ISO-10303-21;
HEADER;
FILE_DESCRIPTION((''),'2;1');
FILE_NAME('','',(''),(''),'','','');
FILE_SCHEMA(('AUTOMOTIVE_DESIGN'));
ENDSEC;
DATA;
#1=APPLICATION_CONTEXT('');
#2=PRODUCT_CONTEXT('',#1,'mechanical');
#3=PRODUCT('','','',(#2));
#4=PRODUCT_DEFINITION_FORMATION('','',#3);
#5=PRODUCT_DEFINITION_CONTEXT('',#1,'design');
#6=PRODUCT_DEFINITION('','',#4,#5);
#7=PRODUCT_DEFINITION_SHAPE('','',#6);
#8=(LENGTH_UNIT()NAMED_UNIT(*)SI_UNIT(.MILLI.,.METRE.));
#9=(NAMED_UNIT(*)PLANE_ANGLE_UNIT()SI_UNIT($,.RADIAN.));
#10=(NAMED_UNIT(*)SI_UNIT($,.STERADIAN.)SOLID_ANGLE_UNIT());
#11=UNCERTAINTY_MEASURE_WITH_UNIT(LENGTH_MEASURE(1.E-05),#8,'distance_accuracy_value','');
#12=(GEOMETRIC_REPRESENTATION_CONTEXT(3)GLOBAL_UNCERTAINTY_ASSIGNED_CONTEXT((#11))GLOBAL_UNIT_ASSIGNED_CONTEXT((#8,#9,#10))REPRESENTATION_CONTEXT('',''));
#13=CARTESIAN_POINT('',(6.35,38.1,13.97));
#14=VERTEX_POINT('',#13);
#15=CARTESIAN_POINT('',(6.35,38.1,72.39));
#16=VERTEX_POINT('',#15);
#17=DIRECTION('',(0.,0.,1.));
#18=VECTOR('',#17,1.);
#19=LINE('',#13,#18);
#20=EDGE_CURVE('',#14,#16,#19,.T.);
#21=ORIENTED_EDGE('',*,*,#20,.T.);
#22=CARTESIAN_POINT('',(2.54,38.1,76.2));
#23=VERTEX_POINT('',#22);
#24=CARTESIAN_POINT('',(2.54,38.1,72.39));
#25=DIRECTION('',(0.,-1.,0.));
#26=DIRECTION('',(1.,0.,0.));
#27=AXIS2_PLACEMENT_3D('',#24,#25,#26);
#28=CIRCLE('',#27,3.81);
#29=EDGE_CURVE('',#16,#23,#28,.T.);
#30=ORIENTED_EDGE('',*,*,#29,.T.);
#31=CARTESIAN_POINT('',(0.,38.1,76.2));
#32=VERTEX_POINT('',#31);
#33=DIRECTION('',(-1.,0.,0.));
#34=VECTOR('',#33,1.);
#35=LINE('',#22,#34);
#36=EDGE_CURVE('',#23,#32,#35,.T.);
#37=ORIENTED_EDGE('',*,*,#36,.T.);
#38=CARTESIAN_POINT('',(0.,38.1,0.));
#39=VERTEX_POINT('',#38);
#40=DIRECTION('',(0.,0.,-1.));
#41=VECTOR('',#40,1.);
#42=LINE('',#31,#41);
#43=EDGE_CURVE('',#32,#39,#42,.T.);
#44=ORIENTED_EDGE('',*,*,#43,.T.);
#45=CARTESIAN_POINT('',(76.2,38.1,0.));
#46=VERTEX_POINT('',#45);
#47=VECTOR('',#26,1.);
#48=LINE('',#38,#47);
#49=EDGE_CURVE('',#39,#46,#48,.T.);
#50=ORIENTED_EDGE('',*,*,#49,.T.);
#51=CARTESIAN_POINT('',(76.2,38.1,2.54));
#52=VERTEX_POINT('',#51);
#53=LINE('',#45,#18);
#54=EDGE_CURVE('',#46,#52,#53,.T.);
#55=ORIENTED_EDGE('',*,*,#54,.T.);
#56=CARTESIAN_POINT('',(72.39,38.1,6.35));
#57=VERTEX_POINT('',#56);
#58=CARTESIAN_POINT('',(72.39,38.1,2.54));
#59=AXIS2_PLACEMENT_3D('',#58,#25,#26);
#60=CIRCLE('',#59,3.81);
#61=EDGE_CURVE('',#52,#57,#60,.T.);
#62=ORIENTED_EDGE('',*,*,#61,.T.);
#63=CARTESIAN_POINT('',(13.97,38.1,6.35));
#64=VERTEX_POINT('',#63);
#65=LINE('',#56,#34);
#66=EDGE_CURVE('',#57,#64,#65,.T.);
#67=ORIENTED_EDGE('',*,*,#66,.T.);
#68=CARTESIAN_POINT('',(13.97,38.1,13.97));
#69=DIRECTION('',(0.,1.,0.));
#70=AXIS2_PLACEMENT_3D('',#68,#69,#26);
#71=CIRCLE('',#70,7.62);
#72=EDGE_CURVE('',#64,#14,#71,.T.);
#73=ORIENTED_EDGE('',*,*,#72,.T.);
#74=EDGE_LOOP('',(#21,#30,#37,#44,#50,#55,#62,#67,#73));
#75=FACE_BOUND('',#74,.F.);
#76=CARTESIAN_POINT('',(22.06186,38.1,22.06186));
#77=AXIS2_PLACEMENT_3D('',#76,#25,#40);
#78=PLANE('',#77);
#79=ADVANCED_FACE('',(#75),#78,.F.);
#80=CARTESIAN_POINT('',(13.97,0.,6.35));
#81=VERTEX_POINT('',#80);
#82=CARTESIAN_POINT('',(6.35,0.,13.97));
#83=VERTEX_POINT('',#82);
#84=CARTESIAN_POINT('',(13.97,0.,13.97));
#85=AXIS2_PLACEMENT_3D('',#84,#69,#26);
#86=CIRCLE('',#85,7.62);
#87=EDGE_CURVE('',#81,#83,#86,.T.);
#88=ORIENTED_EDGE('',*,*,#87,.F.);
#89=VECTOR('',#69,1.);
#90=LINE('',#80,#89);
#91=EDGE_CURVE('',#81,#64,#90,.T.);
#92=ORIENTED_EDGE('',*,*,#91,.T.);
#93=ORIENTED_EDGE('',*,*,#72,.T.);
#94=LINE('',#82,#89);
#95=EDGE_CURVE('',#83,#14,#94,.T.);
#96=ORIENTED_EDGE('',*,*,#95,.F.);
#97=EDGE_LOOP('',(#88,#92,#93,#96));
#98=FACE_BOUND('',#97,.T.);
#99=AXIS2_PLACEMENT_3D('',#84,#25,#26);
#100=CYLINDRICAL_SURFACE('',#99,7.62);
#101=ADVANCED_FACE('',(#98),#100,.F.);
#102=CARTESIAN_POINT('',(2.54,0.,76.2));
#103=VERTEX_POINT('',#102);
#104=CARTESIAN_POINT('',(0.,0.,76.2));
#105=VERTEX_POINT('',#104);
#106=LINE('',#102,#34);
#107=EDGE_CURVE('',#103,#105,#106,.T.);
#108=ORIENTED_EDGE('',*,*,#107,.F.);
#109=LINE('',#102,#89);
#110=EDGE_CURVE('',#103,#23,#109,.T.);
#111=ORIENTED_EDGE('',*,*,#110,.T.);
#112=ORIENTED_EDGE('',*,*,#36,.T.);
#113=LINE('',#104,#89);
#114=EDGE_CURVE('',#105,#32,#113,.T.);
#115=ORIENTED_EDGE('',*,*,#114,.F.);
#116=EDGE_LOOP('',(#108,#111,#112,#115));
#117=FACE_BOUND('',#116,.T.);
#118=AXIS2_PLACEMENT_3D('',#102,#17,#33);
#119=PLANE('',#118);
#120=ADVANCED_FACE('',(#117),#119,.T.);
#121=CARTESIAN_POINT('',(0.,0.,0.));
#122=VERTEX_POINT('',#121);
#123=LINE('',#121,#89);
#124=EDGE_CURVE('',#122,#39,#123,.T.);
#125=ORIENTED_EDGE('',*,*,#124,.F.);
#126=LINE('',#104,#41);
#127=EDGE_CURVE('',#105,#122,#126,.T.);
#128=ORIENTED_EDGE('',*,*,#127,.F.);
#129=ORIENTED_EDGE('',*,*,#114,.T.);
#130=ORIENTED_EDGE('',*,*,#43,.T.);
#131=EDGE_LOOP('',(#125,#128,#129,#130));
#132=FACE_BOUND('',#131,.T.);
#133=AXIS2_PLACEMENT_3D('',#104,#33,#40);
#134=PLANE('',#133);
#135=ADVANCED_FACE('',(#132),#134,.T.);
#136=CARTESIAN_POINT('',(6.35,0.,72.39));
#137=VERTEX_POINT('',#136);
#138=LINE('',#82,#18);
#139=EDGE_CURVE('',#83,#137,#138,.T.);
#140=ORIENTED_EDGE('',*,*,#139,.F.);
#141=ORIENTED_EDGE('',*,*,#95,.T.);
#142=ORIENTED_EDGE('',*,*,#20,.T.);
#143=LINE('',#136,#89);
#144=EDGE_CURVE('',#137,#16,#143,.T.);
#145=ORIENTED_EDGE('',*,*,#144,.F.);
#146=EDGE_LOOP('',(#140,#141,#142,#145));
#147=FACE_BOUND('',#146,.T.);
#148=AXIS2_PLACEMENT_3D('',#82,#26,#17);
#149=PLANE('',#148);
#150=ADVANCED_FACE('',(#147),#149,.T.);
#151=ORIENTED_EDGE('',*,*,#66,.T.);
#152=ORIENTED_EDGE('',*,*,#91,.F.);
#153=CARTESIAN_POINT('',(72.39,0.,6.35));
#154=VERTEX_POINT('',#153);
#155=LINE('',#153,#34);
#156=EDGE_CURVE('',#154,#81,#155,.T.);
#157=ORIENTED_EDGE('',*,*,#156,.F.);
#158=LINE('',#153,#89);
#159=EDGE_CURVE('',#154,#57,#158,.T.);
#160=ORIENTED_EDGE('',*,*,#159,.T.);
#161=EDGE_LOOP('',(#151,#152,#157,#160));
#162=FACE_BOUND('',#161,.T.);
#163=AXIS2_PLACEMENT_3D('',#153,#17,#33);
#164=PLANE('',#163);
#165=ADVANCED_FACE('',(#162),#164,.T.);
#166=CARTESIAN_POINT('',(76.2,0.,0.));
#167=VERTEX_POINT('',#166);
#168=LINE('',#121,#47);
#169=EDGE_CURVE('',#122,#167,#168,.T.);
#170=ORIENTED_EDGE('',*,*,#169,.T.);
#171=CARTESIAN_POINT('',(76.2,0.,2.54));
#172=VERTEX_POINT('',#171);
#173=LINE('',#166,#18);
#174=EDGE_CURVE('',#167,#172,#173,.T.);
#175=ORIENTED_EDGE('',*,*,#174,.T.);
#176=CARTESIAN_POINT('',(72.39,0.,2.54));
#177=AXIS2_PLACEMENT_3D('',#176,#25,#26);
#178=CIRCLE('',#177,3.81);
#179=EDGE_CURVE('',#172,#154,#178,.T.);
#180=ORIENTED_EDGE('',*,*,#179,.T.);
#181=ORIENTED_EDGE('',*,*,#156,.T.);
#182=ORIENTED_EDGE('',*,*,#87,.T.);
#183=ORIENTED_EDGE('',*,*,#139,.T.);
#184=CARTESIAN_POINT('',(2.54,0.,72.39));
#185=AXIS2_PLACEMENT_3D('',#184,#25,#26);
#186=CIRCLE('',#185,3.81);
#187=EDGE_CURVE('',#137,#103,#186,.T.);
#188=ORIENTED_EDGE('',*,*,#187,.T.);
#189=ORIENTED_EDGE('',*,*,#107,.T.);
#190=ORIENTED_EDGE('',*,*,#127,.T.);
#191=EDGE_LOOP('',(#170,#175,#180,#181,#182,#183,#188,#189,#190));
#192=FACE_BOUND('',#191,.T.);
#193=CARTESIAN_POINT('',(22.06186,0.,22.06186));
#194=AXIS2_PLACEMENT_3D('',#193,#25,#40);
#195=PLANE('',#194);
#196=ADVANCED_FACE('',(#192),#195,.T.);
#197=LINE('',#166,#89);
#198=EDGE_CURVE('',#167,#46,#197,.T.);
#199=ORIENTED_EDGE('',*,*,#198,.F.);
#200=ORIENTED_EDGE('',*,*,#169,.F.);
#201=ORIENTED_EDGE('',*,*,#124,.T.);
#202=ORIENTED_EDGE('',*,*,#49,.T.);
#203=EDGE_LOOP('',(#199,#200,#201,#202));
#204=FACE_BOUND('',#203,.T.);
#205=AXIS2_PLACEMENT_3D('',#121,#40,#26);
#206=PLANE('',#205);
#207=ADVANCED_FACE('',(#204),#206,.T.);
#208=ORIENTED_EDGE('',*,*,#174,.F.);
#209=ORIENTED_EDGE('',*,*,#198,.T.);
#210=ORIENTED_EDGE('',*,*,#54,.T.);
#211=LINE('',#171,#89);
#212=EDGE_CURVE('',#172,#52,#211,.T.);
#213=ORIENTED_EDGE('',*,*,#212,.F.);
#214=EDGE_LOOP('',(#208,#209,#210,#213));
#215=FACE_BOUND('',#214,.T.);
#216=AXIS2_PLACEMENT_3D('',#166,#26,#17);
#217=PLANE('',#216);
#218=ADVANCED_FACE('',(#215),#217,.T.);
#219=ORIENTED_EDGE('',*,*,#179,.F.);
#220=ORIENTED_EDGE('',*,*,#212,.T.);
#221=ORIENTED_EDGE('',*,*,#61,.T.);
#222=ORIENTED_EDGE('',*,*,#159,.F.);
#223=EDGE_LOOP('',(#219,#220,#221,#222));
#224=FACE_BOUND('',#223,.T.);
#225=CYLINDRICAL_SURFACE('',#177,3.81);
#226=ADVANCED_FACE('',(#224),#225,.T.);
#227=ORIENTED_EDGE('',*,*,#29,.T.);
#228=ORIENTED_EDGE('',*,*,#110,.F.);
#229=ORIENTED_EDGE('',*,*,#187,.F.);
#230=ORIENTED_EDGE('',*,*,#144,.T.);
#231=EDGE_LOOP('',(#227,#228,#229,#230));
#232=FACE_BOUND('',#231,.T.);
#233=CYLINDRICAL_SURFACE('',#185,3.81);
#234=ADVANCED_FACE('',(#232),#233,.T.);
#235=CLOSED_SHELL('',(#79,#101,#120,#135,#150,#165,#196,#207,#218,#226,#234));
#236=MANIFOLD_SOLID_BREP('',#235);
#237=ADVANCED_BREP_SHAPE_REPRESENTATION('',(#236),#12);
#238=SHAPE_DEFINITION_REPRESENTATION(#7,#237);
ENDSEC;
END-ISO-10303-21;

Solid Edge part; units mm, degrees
sketch "Sketch1" plane through (0, 0, 0) normal (0, -1, 0) x (1, 0, 0)
  line L0 (0, 76.2) -> (0, 0)
  line L1 (0, 0) -> (76.2, 0)
  line L2 (76.2, 0) -> (76.2, 2.54)
  arc A0 (76.2, 2.54) -> (72.39, 6.35) centre (72.39, 2.54) ccw
  line L3 (72.39, 6.35) -> (13.97, 6.35)
  arc A1 (13.97, 6.35) -> (6.35, 13.97) centre (13.97, 13.97) cw
  line L4 (6.35, 13.97) -> (6.35, 72.39)
  arc A2 (6.35, 72.39) -> (2.54, 76.2) centre (2.54, 72.39) ccw
  line L5 (2.54, 76.2) -> (0, 76.2)
  dimension "D1" = 76.2
extrude "Protrusion1" add sketch "Sketch1" against normal blind 38.1
